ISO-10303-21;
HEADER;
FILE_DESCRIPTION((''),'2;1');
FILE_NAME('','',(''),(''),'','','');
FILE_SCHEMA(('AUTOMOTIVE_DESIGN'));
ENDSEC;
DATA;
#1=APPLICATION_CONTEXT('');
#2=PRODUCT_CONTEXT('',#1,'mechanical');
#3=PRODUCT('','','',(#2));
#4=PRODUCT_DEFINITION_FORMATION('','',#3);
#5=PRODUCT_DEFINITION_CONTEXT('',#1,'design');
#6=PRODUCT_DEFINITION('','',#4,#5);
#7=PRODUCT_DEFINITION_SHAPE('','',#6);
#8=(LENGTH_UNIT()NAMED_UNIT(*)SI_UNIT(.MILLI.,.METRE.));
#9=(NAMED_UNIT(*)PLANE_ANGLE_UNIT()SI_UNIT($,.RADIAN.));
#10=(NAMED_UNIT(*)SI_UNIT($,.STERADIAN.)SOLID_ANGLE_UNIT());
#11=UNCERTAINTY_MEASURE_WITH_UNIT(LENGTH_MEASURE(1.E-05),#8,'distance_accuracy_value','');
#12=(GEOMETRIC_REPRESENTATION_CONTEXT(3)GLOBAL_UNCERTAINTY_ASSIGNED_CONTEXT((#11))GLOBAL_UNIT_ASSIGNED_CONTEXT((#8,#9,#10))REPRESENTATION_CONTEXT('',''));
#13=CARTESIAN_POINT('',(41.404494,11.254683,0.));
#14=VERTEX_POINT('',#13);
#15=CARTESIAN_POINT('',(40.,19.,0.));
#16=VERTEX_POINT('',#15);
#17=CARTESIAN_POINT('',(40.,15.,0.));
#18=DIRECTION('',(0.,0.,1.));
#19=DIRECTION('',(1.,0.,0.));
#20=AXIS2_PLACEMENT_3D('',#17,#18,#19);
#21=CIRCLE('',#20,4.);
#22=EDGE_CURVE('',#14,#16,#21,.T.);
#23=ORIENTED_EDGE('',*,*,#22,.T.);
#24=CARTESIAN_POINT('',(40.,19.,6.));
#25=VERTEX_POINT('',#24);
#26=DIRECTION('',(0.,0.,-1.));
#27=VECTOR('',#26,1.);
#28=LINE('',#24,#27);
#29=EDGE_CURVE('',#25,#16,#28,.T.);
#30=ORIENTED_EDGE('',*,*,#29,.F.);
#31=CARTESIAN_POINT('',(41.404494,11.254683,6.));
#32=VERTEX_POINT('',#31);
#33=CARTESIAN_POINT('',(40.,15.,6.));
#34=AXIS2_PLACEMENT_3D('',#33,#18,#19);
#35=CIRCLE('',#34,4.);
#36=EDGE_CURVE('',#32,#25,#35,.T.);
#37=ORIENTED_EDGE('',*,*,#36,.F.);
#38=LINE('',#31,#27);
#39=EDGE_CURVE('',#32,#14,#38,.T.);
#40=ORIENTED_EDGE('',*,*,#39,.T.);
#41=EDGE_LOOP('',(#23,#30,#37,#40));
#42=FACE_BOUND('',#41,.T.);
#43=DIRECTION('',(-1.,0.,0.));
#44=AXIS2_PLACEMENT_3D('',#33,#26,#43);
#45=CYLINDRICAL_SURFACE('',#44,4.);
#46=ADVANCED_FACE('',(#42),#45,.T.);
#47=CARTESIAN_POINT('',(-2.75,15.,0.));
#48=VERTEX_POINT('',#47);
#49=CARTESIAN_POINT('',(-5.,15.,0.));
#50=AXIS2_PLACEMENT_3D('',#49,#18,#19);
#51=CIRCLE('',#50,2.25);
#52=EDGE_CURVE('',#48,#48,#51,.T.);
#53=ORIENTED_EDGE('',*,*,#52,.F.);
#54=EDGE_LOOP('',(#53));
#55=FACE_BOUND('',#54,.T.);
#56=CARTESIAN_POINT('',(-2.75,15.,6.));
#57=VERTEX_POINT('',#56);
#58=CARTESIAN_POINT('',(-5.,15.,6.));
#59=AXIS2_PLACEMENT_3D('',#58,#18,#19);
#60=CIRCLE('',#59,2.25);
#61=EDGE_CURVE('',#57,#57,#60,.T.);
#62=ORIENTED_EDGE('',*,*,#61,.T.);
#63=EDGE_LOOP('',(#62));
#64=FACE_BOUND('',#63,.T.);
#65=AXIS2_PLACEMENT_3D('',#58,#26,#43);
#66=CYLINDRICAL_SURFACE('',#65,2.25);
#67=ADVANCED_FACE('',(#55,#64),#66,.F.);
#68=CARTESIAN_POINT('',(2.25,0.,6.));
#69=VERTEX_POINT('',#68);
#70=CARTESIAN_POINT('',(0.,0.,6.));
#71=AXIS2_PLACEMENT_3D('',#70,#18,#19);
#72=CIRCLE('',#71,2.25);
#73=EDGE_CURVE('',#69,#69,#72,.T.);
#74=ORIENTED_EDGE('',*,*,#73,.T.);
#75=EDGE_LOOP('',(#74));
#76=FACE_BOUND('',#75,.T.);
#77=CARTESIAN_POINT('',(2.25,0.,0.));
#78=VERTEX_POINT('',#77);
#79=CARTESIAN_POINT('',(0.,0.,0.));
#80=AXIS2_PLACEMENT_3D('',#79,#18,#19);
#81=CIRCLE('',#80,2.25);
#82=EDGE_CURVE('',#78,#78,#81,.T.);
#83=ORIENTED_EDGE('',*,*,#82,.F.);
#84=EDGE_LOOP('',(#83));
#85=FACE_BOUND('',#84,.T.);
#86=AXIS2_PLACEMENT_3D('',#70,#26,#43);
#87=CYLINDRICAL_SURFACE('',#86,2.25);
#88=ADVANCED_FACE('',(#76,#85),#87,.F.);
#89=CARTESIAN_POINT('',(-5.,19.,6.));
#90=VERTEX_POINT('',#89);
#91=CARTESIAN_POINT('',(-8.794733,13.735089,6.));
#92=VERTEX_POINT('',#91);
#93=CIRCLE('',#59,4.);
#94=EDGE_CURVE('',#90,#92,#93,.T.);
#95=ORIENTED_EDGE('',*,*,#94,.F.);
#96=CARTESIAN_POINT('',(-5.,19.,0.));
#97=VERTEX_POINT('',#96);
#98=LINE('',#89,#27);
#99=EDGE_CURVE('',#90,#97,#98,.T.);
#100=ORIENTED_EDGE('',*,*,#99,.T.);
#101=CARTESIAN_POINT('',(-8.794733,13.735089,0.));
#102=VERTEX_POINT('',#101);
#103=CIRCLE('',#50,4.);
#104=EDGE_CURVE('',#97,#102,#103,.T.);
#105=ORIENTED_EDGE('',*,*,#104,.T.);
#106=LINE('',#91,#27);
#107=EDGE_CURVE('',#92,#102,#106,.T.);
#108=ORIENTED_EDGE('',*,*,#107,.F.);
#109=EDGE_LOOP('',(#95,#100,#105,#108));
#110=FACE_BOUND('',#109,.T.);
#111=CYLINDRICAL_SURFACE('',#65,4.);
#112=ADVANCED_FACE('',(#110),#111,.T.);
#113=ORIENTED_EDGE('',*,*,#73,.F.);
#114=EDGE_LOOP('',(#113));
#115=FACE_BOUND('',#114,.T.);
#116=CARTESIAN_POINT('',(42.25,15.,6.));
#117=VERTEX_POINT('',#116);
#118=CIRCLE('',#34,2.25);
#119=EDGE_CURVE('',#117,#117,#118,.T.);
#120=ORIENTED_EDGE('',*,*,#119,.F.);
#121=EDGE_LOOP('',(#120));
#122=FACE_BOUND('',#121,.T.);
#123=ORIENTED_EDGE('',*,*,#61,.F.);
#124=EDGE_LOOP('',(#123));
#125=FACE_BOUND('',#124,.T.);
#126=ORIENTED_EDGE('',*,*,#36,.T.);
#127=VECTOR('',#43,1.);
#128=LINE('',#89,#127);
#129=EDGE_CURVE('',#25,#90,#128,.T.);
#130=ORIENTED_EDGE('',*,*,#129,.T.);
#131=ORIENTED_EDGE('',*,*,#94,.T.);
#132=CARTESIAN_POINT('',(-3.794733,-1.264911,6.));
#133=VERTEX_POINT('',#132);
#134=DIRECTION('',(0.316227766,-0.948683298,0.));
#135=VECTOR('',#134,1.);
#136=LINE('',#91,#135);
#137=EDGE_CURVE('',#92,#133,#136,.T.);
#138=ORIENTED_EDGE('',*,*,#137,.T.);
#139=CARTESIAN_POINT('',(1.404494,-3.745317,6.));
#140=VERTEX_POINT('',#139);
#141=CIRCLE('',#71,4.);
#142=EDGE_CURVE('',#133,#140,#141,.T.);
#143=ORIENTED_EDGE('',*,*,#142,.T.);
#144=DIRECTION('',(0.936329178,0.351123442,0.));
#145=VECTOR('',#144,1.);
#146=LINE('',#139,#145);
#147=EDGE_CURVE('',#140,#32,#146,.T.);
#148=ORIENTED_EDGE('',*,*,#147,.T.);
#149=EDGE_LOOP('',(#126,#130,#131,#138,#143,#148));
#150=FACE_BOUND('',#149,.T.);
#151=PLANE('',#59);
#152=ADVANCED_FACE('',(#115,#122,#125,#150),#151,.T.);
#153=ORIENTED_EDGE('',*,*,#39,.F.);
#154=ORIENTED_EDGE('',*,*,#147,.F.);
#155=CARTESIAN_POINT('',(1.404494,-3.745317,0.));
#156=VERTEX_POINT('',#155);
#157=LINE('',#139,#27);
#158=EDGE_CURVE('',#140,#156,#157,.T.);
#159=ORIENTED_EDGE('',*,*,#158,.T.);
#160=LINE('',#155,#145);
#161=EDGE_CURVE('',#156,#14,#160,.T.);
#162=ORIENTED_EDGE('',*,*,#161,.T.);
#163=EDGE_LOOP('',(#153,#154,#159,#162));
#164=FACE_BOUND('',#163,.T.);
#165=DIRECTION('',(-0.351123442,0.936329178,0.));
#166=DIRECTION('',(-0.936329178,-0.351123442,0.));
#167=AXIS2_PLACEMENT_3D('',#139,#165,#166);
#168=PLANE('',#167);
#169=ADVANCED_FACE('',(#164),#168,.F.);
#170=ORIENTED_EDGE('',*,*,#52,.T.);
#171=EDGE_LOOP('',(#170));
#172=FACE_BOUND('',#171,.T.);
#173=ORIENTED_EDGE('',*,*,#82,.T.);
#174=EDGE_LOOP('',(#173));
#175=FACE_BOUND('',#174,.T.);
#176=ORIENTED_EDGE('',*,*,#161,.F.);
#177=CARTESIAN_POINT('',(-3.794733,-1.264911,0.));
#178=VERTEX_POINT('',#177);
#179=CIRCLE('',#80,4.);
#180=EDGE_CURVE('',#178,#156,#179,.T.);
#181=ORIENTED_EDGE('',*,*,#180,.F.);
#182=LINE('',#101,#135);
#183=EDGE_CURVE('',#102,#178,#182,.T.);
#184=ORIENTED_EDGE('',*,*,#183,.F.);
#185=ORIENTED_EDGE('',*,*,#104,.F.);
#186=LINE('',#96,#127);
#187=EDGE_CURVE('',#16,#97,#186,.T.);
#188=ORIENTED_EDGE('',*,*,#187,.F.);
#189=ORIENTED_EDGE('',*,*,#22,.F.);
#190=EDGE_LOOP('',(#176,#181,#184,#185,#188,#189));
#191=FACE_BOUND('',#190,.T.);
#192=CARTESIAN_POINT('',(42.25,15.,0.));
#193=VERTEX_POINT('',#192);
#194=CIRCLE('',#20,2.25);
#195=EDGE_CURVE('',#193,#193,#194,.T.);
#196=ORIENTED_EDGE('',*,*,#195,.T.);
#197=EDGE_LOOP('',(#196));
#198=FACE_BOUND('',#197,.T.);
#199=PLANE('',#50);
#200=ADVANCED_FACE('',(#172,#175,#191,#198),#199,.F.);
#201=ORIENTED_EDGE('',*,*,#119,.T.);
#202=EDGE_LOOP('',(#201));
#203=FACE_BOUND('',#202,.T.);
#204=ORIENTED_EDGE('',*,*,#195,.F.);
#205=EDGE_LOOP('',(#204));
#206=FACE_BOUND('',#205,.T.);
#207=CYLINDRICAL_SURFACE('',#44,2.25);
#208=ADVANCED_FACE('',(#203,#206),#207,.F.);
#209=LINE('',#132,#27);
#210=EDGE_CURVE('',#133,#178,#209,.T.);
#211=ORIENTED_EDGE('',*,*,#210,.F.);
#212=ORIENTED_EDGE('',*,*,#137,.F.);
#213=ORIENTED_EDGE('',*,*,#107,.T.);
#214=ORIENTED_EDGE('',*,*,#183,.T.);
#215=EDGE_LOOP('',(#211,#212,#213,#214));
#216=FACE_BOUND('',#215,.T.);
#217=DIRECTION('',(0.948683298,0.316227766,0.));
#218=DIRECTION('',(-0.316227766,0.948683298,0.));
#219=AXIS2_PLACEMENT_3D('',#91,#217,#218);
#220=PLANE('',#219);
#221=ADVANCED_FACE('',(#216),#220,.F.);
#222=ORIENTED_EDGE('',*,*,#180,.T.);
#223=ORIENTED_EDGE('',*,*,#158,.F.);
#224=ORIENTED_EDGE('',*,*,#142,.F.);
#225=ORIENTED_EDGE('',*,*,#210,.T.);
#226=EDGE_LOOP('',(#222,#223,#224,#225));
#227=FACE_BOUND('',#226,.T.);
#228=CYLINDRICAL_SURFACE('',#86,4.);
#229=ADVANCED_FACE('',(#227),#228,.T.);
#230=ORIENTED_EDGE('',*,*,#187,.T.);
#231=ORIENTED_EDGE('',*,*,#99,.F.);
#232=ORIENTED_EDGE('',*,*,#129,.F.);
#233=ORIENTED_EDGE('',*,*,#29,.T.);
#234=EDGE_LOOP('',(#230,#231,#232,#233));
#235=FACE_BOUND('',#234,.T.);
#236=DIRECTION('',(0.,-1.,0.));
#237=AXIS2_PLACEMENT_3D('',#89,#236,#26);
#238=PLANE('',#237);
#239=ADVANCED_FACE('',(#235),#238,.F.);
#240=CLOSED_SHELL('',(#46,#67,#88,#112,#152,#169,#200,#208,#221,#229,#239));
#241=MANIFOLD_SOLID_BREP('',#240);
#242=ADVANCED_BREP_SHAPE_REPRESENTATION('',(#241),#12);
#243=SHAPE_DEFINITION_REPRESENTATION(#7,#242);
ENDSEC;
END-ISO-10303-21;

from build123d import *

# Parameters (mm, degrees)
SKETCH1_R           = 2.25
BOSS_EXTRUDE1_DEPTH = 6


with BuildPart() as part:
    # Sketch1 → Boss-Extrude1 (new body)
    with BuildSketch(Plane.XY):
        with BuildLine():
            Line((-5, 19), (40, 19))
            ThreePointArc((40, 19), (43.9358142, 15.713699222), (41.404493766, 11.25468329))
            Line((41.404493766, 11.25468329), (1.404493766, -3.74531671))
            ThreePointArc((1.404493766, -3.74531671), (-1.722328125, -3.610205788), (-3.794733192, -1.264911064))
            Line((-3.794733192, -1.264911064), (-8.794733192, 13.735088936))
            ThreePointArc((-8.794733192, 13.735088936), (-8.244968741, 17.338841139), (-5, 19))
        make_face()
        Circle(SKETCH1_R, mode=Mode.SUBTRACT)
        with Locations((-5, 15)):
            Circle(SKETCH1_R, mode=Mode.SUBTRACT)
        with Locations((40, 15)):
            Circle(SKETCH1_R, mode=Mode.SUBTRACT)
    extrude(amount=BOSS_EXTRUDE1_DEPTH)


solid = part.part
